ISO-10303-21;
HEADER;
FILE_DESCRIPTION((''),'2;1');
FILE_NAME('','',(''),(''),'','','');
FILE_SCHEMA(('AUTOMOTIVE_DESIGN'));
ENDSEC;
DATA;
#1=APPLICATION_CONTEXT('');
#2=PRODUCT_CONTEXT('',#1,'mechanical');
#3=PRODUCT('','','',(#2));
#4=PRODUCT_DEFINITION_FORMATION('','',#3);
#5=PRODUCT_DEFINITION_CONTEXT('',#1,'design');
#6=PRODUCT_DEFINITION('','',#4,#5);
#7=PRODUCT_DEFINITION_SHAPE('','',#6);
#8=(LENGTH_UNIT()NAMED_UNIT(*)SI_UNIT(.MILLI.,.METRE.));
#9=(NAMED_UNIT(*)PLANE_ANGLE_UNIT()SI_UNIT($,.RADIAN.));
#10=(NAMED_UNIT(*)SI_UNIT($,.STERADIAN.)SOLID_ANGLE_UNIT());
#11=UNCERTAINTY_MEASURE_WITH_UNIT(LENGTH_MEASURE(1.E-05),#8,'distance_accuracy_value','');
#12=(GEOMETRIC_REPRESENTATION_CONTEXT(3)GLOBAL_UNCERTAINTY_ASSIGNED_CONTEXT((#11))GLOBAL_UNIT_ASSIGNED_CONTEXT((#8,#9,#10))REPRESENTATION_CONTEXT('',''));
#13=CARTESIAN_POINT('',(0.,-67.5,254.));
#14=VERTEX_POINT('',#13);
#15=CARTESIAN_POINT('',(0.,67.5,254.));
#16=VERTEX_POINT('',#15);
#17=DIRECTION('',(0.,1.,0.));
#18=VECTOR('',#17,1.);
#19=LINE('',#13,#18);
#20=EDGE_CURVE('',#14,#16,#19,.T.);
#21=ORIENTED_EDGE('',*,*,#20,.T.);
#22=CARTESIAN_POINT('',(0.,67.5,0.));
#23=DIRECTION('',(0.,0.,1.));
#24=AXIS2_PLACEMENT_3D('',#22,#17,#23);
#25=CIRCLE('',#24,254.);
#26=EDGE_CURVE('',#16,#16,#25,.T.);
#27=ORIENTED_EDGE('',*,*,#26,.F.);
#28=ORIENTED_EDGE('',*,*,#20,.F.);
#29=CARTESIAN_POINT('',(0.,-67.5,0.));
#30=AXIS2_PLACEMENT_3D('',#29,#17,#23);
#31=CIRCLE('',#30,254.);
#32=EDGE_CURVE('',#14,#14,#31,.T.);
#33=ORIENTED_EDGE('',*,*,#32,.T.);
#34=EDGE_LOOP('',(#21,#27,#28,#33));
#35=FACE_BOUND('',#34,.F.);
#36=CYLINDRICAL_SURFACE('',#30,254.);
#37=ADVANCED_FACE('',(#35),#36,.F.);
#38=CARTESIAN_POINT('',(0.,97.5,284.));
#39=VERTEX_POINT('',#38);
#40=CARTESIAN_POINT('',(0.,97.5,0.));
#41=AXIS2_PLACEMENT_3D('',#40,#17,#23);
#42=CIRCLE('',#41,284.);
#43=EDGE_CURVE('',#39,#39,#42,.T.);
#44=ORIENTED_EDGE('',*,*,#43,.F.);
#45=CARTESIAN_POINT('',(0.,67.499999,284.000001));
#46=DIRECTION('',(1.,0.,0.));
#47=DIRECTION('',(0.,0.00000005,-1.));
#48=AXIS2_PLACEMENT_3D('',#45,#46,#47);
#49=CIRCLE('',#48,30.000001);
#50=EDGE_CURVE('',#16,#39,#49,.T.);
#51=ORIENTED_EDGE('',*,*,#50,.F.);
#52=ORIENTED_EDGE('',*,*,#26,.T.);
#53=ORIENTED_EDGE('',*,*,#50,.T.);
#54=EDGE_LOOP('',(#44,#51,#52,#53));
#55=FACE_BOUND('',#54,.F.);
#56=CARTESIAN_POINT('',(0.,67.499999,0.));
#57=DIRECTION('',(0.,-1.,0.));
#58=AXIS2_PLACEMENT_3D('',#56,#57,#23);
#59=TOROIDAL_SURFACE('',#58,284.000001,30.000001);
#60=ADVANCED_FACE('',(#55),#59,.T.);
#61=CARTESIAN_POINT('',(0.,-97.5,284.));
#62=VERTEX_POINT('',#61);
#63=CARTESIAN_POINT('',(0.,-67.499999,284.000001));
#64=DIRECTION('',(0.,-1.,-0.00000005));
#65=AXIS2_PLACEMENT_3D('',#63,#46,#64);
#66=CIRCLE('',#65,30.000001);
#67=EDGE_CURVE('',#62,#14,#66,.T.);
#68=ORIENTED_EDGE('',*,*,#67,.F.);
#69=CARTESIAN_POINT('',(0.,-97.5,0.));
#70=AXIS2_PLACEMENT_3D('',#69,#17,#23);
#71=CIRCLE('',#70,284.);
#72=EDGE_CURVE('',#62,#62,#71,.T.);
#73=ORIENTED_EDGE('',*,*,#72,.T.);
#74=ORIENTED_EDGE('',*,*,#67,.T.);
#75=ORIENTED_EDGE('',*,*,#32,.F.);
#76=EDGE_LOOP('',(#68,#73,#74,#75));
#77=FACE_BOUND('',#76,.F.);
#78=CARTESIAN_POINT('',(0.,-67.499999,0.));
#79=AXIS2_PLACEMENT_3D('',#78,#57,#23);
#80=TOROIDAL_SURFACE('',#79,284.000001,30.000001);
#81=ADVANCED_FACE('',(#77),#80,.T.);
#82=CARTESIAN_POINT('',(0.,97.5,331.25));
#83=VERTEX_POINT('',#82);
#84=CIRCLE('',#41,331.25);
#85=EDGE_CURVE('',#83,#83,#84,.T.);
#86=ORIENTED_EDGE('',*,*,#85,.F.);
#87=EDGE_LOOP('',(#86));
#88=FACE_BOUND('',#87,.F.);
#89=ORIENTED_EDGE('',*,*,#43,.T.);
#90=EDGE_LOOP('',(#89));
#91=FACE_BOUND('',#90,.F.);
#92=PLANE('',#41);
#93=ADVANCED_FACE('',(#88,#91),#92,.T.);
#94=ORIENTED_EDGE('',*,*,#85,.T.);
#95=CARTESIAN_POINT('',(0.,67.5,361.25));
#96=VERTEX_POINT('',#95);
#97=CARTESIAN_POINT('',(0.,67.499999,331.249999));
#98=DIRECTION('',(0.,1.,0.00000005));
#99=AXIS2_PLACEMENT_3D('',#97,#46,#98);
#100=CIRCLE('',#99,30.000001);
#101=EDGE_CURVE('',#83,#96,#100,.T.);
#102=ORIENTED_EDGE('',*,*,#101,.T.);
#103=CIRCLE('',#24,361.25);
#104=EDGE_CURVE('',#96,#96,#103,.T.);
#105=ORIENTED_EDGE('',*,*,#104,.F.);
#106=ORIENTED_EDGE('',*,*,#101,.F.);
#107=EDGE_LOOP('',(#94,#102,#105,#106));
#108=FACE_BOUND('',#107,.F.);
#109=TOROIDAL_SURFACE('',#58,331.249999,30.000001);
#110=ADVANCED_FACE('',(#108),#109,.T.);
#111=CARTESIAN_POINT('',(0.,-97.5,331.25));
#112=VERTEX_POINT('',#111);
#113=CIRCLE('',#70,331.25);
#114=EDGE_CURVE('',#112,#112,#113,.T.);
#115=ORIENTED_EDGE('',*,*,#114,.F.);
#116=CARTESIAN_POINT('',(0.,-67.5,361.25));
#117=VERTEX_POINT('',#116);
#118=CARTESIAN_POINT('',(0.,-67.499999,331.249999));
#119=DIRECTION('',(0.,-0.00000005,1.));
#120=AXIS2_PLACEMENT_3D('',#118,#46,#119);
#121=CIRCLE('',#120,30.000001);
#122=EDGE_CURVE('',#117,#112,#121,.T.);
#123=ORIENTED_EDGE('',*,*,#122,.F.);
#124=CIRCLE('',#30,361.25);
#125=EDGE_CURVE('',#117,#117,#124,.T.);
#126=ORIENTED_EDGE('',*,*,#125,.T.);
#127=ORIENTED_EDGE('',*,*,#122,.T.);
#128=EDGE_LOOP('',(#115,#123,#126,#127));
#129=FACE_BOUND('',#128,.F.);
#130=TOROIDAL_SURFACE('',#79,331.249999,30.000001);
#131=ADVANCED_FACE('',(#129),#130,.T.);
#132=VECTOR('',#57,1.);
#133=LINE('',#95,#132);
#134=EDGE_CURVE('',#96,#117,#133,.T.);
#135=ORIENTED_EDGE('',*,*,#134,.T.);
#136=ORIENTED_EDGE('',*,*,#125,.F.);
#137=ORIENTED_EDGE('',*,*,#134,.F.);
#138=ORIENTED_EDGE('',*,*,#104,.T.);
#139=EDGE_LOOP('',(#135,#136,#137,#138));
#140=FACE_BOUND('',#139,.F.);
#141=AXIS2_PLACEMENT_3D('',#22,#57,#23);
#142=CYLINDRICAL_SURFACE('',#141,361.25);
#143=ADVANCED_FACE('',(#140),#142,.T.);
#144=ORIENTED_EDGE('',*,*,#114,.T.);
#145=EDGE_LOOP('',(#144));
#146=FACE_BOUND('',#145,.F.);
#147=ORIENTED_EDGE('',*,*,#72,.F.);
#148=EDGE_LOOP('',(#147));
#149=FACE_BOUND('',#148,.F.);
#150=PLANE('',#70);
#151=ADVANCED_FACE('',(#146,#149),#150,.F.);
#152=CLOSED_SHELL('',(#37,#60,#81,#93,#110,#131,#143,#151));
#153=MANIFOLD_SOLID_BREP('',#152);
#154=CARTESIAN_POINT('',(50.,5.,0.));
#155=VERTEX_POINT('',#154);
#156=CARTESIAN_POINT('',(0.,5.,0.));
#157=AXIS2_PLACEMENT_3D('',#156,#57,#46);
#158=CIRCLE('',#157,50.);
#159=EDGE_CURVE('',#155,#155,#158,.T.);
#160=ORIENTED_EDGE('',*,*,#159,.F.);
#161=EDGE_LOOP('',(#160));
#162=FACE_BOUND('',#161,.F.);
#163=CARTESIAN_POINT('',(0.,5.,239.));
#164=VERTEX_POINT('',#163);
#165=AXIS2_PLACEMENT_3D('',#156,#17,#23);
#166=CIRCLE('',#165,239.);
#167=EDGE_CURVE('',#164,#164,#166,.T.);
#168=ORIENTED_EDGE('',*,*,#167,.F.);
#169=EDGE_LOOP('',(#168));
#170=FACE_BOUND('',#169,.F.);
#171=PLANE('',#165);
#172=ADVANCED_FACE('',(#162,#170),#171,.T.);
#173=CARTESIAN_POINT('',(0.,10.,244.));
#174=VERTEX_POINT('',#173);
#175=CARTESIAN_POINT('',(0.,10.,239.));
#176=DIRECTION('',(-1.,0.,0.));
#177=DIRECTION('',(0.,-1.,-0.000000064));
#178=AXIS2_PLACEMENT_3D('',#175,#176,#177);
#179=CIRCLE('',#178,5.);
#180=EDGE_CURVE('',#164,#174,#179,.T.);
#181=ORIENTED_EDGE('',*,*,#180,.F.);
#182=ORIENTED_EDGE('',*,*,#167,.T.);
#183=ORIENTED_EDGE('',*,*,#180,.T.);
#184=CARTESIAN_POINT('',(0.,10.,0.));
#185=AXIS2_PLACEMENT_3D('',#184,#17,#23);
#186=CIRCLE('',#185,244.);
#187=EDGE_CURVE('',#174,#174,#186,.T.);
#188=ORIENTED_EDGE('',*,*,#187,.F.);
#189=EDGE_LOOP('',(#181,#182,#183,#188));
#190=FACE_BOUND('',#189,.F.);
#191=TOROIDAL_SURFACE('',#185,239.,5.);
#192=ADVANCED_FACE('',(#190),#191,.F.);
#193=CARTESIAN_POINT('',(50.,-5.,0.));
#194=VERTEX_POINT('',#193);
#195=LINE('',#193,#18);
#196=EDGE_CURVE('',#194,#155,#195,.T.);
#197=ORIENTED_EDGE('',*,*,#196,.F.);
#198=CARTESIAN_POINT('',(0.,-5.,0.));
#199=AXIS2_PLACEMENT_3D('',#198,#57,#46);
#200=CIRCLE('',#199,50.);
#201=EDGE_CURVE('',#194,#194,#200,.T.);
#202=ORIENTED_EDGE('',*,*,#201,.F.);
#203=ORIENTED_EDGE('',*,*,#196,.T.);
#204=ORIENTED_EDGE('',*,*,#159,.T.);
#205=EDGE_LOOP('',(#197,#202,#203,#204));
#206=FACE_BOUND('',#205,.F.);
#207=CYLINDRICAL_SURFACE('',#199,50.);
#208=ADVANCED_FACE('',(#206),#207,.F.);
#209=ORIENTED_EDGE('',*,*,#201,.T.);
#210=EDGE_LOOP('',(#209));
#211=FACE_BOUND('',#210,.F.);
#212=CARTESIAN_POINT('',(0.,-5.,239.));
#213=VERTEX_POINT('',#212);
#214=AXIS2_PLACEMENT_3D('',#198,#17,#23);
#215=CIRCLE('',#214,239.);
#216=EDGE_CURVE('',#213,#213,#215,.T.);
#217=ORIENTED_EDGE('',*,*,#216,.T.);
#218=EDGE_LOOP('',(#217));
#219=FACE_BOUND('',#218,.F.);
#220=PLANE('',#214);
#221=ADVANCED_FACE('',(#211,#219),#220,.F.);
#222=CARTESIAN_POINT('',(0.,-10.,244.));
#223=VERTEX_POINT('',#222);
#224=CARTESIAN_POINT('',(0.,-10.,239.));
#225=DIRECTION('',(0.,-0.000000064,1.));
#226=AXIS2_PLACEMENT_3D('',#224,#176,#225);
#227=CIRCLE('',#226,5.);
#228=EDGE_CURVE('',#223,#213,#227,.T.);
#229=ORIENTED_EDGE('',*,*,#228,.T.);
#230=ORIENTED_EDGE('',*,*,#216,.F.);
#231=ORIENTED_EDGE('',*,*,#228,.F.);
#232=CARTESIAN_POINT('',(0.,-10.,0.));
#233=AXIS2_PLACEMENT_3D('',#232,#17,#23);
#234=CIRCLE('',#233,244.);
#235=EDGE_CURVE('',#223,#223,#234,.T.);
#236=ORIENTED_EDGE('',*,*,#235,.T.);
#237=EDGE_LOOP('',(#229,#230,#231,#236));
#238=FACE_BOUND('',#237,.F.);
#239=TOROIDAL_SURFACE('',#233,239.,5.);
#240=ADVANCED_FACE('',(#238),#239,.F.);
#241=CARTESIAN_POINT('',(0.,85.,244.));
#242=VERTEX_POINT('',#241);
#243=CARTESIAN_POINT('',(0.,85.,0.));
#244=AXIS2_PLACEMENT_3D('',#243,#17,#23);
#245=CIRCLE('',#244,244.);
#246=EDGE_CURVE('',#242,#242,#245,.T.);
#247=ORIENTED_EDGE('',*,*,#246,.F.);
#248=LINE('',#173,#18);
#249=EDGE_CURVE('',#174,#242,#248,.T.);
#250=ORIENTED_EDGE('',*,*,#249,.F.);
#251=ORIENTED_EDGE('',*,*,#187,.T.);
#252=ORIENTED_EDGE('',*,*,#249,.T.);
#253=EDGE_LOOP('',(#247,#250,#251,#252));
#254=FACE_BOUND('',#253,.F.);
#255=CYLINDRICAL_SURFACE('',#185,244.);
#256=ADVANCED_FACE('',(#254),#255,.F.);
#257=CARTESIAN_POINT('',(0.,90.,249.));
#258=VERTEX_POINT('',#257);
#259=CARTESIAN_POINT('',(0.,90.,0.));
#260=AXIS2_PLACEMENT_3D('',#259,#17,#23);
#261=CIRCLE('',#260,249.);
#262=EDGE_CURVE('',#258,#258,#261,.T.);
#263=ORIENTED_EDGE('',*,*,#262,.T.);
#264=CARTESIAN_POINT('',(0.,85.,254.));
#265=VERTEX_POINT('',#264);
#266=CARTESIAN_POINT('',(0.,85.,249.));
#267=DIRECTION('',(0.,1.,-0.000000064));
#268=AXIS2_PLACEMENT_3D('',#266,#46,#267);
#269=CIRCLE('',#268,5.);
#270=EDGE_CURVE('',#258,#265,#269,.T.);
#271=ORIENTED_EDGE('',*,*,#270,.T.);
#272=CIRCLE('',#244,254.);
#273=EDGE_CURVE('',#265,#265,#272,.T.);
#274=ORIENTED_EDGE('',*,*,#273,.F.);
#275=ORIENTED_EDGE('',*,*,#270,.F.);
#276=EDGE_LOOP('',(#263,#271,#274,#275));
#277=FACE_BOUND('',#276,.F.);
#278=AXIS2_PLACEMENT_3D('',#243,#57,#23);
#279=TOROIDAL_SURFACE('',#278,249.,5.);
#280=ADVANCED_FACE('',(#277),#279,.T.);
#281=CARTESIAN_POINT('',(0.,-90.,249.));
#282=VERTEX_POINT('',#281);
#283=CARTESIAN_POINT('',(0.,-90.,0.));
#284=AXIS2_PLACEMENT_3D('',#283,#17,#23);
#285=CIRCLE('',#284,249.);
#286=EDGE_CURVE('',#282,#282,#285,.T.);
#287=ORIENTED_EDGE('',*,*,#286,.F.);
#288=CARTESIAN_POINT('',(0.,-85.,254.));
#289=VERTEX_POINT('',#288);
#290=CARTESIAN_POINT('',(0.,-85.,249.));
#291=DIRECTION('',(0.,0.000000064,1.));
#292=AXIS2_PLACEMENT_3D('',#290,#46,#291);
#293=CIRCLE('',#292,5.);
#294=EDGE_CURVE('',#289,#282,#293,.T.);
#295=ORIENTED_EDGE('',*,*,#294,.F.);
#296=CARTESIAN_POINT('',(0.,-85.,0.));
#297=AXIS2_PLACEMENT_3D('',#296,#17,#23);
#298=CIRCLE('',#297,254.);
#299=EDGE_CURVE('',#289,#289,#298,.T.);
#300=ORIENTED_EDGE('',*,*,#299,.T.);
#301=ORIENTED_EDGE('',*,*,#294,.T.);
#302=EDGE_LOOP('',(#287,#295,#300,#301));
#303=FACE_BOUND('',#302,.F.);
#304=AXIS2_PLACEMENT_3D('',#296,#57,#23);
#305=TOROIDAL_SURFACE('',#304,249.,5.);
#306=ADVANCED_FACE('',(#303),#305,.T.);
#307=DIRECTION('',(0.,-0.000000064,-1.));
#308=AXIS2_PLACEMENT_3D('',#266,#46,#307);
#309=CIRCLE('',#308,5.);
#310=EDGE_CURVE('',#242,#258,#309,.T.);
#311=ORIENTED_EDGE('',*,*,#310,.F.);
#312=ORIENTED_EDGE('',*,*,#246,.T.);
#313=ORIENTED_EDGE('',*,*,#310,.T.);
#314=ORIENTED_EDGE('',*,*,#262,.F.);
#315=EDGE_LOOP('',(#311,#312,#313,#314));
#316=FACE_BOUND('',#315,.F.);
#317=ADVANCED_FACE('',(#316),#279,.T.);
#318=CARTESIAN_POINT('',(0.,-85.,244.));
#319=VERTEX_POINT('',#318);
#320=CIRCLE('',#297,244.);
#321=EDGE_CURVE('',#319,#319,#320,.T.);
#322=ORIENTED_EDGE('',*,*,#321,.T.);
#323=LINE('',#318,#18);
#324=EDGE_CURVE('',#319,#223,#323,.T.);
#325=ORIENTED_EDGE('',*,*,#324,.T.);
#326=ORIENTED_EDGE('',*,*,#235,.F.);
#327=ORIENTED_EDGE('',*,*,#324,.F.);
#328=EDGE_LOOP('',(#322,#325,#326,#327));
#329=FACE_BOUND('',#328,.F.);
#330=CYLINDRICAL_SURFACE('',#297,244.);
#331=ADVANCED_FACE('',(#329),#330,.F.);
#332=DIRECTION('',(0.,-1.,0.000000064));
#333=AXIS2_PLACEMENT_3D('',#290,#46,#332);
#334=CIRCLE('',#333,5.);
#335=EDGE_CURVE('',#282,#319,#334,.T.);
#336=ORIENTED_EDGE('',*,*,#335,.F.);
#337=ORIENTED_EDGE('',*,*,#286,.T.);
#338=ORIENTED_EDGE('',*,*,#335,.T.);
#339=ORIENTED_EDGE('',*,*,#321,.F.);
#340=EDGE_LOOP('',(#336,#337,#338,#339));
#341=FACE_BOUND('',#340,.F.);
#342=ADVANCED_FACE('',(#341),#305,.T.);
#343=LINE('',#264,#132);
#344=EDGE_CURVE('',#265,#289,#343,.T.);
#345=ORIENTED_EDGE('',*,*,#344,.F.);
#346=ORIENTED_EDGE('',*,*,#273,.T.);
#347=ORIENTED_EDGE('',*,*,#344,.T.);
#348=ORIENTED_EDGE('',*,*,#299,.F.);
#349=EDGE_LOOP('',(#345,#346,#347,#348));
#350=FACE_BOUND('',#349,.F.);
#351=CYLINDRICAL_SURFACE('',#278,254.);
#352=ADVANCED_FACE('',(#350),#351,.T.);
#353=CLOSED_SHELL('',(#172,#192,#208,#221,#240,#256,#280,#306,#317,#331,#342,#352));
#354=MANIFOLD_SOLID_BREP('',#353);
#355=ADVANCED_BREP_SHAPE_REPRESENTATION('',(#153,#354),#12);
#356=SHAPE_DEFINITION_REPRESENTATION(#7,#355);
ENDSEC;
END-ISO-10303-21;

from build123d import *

# Parameters (mm, degrees)
F5_R     = 50
F6_DEPTH = 25


with BuildPart() as f3:
    # F0 (on Right) → F3 (revolve)
    with BuildSketch(Plane.YZ):
        with BuildLine():
            Line((67.5, 361.25), (-67.5, 361.25))
            ThreePointArc((-67.5, 361.25), (-88.713203, 352.463203), (-97.5, 331.25))
            Line((-97.5, 331.25), (-97.5, 284))
            ThreePointArc((-97.5, 284), (-88.713203, 262.786797), (-67.5, 254))
            Line((-67.5, 254), (67.5, 254))
            ThreePointArc((67.5, 254), (88.713203, 262.786797), (97.5, 284))
            Line((97.5, 284), (97.5, 331.25))
            ThreePointArc((97.5, 331.25), (88.713203, 352.463203), (67.5, 361.25))
        make_face()
    revolve(axis=Axis((0, 0, 0), (0, 1, 0)))


with BuildPart() as f4:
    # F2 (on Right) → F4 (revolve)
    with BuildSketch(Plane.YZ):
        with BuildLine():
            Line((85, 254), (-85, 254))
            ThreePointArc((-85, 254), (-88.535534, 252.535534), (-90, 249))
            ThreePointArc((-90, 249), (-88.535534, 245.464466), (-85, 244))
            Line((-85, 244), (-10, 244))
            ThreePointArc((-10, 244), (-6.464466, 242.535534), (-5, 239))
            Line((-5, 239), (-5, 0))
            Line((-5, 0), (5, 0))
            Line((5, 0), (5, 239))
            ThreePointArc((5, 239), (6.464466, 242.535534), (10, 244))
            Line((10, 244), (85, 244))
            ThreePointArc((85, 244), (88.535534, 245.464466), (90, 249))
            ThreePointArc((90, 249), (88.535534, 252.535534), (85, 254))
        make_face()
    revolve(axis=Axis((0, 0, 0), (0, 1, 0)))

    # F5 (on face) → F6 (cut)
    with BuildSketch(Plane.XZ.offset(5)):
        Circle(F5_R)
    extrude(amount=-F6_DEPTH, mode=Mode.SUBTRACT)


solid = Compound([f3.part, f4.part])
